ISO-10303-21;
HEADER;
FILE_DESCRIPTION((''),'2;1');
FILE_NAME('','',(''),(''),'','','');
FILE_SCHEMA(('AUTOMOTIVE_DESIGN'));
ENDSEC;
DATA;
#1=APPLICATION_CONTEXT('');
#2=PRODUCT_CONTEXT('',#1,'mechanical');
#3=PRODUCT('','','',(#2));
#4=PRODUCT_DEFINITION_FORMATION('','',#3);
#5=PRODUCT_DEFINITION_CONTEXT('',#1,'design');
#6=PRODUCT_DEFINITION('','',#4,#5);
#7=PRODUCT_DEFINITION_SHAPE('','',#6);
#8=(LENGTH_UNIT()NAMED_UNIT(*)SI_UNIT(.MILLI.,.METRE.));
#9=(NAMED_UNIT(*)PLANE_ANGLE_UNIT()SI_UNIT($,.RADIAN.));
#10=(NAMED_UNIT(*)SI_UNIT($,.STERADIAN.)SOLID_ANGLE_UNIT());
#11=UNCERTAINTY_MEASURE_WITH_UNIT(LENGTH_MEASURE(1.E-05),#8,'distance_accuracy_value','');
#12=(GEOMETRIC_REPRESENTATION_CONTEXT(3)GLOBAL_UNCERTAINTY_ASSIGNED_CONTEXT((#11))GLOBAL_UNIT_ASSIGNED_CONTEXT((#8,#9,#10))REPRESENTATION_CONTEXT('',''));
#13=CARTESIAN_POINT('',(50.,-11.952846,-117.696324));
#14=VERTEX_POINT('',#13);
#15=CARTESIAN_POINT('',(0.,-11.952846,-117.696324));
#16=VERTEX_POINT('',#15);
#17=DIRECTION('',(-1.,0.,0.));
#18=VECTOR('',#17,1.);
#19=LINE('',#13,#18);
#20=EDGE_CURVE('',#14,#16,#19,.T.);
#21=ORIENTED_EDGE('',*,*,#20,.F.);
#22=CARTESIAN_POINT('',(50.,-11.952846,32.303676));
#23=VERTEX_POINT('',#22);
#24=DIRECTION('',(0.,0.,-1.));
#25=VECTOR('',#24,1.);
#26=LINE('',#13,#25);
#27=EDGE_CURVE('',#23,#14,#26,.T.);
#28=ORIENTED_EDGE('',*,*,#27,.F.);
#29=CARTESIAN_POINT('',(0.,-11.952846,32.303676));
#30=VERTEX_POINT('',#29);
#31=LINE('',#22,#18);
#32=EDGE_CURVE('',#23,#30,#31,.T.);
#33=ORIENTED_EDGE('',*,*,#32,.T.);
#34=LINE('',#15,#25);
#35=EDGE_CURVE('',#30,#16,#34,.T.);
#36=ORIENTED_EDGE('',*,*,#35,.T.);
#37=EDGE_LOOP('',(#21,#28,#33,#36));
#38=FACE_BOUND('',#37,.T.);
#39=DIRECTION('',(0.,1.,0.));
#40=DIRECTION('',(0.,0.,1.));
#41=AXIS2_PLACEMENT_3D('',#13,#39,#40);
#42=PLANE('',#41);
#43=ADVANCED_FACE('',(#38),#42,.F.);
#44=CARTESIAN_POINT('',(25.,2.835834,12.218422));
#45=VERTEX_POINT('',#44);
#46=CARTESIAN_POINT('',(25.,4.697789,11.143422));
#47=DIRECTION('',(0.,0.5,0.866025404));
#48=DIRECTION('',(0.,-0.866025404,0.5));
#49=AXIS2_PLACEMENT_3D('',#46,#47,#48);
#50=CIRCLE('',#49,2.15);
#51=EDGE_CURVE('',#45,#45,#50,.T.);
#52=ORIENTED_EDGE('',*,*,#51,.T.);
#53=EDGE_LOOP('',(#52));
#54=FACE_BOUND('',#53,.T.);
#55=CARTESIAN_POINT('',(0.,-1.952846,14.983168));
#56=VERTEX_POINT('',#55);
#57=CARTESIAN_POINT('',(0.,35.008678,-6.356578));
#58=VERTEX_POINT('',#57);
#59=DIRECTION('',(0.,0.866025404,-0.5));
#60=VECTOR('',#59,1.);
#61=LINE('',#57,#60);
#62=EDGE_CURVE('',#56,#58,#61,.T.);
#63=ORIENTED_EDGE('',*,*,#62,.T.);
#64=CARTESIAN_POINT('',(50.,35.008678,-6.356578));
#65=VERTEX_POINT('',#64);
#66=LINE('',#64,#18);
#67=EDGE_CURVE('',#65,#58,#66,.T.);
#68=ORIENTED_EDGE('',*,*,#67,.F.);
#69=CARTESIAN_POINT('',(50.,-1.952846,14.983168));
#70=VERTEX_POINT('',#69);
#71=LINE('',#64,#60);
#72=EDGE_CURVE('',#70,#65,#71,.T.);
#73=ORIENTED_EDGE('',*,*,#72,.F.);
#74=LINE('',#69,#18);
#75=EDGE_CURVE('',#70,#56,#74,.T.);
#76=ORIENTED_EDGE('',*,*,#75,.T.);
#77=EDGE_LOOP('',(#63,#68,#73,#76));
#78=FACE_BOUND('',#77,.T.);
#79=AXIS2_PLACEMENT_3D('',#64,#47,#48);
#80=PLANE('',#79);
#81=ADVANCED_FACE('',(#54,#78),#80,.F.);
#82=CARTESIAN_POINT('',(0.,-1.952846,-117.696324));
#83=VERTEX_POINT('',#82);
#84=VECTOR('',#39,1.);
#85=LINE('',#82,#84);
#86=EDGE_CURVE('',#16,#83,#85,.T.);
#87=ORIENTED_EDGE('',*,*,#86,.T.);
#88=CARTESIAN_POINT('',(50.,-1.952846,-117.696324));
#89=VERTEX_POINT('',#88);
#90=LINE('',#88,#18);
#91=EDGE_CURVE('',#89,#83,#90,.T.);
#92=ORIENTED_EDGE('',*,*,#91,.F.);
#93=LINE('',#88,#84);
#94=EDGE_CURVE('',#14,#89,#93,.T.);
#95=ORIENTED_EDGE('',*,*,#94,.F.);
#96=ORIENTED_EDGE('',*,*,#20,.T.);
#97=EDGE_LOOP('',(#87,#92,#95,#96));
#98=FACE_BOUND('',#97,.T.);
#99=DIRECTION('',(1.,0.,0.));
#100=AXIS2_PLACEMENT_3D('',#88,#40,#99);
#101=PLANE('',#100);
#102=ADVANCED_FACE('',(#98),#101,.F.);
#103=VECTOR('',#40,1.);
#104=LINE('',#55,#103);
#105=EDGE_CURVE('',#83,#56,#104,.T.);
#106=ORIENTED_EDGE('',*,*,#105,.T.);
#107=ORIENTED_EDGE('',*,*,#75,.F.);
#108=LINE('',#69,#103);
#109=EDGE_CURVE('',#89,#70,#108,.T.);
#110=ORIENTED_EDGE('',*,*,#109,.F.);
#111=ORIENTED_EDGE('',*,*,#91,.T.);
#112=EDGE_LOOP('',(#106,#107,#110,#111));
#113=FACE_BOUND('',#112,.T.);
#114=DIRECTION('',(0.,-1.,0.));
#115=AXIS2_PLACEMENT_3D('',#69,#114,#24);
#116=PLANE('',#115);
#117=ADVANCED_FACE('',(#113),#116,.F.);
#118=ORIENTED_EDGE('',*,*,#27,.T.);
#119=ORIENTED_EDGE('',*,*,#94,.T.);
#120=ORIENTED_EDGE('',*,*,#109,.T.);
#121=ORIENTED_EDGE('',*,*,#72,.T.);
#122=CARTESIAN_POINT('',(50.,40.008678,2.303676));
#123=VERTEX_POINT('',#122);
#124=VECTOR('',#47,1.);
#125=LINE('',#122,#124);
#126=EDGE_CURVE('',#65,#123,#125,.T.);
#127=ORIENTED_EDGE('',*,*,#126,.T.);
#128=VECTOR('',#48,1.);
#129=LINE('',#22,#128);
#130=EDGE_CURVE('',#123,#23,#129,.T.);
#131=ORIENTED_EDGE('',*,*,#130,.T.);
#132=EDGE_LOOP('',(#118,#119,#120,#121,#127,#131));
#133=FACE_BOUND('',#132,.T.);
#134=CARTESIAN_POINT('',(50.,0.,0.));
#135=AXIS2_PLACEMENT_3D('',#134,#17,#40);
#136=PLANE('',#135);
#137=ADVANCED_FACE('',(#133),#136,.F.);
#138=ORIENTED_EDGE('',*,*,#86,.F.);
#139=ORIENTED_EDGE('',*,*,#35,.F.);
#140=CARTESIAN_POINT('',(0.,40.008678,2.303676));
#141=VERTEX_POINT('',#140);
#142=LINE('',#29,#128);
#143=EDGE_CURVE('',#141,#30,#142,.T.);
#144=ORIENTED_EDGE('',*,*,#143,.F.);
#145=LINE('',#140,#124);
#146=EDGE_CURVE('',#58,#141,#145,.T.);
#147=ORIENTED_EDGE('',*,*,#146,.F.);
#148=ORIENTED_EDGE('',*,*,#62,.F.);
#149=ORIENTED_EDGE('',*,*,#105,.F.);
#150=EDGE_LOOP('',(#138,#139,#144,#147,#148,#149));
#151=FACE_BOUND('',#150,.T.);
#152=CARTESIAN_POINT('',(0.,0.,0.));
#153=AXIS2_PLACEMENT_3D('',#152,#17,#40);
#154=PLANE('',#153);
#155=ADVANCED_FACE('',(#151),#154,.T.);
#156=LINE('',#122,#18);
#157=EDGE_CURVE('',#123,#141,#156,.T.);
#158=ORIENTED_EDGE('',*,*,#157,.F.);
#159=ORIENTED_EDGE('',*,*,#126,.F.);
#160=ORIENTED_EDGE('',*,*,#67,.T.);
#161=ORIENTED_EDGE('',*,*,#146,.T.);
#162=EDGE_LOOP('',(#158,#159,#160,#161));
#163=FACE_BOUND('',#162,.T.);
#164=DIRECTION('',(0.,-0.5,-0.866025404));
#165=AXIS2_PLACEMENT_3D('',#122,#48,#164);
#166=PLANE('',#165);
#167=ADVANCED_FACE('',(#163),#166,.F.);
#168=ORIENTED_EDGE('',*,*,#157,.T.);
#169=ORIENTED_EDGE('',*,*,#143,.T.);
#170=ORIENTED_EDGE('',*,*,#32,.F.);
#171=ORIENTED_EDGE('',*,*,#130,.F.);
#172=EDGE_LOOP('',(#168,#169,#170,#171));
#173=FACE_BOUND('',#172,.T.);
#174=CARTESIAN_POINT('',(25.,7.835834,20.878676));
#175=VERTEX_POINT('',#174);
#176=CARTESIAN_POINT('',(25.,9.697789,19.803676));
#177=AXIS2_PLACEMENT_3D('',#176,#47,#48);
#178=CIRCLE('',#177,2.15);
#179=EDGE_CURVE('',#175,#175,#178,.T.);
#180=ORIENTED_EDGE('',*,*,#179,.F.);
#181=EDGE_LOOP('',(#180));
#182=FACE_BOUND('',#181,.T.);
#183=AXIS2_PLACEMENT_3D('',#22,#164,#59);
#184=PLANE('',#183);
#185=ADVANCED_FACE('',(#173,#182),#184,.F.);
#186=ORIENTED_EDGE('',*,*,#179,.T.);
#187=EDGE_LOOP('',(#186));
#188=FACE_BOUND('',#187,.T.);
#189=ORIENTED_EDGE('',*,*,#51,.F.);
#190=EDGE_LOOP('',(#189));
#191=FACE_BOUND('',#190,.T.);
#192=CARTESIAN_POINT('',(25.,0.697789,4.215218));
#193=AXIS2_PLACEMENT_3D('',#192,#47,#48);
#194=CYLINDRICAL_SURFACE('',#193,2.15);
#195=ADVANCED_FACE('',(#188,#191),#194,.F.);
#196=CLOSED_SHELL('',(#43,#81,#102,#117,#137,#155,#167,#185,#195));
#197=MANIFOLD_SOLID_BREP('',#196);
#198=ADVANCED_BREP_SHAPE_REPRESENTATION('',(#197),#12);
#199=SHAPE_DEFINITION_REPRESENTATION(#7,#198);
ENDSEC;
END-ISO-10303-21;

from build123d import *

# Parameters (mm, degrees)
EXTRUDE_1_DEPTH     = 50
SKETCH_2_R          = 2.15
CUT_EXTRUDE_1_DEPTH = 18


with BuildPart() as part:
    # 草图1 → 凸台-拉伸1 (new body)
    with BuildSketch(Plane(origin=(0, 0, 0), x_dir=(0, 0, -1), z_dir=(1, 0, 0))):
        Polygon((117.696324268, -1.952846431), (117.696324268, -11.952846431), (-32.303675732, -11.952846431), (-2.303675732, 40.008677796), (6.356578306, 35.008677796), (-14.983167656, -1.952846431), align=None)
    extrude(amount=EXTRUDE_1_DEPTH)

    # 草图2 → 切除-拉伸1 (cut)
    with BuildSketch(Plane(origin=(0, 10.999690302, 19.052022471), x_dir=(1, 0, 0), z_dir=(0, 0.5, 0.866025404))):
        with Locations((25, -1.503306522)):
            Circle(SKETCH_2_R)
    extrude(amount=-CUT_EXTRUDE_1_DEPTH, mode=Mode.SUBTRACT)


solid = part.part
